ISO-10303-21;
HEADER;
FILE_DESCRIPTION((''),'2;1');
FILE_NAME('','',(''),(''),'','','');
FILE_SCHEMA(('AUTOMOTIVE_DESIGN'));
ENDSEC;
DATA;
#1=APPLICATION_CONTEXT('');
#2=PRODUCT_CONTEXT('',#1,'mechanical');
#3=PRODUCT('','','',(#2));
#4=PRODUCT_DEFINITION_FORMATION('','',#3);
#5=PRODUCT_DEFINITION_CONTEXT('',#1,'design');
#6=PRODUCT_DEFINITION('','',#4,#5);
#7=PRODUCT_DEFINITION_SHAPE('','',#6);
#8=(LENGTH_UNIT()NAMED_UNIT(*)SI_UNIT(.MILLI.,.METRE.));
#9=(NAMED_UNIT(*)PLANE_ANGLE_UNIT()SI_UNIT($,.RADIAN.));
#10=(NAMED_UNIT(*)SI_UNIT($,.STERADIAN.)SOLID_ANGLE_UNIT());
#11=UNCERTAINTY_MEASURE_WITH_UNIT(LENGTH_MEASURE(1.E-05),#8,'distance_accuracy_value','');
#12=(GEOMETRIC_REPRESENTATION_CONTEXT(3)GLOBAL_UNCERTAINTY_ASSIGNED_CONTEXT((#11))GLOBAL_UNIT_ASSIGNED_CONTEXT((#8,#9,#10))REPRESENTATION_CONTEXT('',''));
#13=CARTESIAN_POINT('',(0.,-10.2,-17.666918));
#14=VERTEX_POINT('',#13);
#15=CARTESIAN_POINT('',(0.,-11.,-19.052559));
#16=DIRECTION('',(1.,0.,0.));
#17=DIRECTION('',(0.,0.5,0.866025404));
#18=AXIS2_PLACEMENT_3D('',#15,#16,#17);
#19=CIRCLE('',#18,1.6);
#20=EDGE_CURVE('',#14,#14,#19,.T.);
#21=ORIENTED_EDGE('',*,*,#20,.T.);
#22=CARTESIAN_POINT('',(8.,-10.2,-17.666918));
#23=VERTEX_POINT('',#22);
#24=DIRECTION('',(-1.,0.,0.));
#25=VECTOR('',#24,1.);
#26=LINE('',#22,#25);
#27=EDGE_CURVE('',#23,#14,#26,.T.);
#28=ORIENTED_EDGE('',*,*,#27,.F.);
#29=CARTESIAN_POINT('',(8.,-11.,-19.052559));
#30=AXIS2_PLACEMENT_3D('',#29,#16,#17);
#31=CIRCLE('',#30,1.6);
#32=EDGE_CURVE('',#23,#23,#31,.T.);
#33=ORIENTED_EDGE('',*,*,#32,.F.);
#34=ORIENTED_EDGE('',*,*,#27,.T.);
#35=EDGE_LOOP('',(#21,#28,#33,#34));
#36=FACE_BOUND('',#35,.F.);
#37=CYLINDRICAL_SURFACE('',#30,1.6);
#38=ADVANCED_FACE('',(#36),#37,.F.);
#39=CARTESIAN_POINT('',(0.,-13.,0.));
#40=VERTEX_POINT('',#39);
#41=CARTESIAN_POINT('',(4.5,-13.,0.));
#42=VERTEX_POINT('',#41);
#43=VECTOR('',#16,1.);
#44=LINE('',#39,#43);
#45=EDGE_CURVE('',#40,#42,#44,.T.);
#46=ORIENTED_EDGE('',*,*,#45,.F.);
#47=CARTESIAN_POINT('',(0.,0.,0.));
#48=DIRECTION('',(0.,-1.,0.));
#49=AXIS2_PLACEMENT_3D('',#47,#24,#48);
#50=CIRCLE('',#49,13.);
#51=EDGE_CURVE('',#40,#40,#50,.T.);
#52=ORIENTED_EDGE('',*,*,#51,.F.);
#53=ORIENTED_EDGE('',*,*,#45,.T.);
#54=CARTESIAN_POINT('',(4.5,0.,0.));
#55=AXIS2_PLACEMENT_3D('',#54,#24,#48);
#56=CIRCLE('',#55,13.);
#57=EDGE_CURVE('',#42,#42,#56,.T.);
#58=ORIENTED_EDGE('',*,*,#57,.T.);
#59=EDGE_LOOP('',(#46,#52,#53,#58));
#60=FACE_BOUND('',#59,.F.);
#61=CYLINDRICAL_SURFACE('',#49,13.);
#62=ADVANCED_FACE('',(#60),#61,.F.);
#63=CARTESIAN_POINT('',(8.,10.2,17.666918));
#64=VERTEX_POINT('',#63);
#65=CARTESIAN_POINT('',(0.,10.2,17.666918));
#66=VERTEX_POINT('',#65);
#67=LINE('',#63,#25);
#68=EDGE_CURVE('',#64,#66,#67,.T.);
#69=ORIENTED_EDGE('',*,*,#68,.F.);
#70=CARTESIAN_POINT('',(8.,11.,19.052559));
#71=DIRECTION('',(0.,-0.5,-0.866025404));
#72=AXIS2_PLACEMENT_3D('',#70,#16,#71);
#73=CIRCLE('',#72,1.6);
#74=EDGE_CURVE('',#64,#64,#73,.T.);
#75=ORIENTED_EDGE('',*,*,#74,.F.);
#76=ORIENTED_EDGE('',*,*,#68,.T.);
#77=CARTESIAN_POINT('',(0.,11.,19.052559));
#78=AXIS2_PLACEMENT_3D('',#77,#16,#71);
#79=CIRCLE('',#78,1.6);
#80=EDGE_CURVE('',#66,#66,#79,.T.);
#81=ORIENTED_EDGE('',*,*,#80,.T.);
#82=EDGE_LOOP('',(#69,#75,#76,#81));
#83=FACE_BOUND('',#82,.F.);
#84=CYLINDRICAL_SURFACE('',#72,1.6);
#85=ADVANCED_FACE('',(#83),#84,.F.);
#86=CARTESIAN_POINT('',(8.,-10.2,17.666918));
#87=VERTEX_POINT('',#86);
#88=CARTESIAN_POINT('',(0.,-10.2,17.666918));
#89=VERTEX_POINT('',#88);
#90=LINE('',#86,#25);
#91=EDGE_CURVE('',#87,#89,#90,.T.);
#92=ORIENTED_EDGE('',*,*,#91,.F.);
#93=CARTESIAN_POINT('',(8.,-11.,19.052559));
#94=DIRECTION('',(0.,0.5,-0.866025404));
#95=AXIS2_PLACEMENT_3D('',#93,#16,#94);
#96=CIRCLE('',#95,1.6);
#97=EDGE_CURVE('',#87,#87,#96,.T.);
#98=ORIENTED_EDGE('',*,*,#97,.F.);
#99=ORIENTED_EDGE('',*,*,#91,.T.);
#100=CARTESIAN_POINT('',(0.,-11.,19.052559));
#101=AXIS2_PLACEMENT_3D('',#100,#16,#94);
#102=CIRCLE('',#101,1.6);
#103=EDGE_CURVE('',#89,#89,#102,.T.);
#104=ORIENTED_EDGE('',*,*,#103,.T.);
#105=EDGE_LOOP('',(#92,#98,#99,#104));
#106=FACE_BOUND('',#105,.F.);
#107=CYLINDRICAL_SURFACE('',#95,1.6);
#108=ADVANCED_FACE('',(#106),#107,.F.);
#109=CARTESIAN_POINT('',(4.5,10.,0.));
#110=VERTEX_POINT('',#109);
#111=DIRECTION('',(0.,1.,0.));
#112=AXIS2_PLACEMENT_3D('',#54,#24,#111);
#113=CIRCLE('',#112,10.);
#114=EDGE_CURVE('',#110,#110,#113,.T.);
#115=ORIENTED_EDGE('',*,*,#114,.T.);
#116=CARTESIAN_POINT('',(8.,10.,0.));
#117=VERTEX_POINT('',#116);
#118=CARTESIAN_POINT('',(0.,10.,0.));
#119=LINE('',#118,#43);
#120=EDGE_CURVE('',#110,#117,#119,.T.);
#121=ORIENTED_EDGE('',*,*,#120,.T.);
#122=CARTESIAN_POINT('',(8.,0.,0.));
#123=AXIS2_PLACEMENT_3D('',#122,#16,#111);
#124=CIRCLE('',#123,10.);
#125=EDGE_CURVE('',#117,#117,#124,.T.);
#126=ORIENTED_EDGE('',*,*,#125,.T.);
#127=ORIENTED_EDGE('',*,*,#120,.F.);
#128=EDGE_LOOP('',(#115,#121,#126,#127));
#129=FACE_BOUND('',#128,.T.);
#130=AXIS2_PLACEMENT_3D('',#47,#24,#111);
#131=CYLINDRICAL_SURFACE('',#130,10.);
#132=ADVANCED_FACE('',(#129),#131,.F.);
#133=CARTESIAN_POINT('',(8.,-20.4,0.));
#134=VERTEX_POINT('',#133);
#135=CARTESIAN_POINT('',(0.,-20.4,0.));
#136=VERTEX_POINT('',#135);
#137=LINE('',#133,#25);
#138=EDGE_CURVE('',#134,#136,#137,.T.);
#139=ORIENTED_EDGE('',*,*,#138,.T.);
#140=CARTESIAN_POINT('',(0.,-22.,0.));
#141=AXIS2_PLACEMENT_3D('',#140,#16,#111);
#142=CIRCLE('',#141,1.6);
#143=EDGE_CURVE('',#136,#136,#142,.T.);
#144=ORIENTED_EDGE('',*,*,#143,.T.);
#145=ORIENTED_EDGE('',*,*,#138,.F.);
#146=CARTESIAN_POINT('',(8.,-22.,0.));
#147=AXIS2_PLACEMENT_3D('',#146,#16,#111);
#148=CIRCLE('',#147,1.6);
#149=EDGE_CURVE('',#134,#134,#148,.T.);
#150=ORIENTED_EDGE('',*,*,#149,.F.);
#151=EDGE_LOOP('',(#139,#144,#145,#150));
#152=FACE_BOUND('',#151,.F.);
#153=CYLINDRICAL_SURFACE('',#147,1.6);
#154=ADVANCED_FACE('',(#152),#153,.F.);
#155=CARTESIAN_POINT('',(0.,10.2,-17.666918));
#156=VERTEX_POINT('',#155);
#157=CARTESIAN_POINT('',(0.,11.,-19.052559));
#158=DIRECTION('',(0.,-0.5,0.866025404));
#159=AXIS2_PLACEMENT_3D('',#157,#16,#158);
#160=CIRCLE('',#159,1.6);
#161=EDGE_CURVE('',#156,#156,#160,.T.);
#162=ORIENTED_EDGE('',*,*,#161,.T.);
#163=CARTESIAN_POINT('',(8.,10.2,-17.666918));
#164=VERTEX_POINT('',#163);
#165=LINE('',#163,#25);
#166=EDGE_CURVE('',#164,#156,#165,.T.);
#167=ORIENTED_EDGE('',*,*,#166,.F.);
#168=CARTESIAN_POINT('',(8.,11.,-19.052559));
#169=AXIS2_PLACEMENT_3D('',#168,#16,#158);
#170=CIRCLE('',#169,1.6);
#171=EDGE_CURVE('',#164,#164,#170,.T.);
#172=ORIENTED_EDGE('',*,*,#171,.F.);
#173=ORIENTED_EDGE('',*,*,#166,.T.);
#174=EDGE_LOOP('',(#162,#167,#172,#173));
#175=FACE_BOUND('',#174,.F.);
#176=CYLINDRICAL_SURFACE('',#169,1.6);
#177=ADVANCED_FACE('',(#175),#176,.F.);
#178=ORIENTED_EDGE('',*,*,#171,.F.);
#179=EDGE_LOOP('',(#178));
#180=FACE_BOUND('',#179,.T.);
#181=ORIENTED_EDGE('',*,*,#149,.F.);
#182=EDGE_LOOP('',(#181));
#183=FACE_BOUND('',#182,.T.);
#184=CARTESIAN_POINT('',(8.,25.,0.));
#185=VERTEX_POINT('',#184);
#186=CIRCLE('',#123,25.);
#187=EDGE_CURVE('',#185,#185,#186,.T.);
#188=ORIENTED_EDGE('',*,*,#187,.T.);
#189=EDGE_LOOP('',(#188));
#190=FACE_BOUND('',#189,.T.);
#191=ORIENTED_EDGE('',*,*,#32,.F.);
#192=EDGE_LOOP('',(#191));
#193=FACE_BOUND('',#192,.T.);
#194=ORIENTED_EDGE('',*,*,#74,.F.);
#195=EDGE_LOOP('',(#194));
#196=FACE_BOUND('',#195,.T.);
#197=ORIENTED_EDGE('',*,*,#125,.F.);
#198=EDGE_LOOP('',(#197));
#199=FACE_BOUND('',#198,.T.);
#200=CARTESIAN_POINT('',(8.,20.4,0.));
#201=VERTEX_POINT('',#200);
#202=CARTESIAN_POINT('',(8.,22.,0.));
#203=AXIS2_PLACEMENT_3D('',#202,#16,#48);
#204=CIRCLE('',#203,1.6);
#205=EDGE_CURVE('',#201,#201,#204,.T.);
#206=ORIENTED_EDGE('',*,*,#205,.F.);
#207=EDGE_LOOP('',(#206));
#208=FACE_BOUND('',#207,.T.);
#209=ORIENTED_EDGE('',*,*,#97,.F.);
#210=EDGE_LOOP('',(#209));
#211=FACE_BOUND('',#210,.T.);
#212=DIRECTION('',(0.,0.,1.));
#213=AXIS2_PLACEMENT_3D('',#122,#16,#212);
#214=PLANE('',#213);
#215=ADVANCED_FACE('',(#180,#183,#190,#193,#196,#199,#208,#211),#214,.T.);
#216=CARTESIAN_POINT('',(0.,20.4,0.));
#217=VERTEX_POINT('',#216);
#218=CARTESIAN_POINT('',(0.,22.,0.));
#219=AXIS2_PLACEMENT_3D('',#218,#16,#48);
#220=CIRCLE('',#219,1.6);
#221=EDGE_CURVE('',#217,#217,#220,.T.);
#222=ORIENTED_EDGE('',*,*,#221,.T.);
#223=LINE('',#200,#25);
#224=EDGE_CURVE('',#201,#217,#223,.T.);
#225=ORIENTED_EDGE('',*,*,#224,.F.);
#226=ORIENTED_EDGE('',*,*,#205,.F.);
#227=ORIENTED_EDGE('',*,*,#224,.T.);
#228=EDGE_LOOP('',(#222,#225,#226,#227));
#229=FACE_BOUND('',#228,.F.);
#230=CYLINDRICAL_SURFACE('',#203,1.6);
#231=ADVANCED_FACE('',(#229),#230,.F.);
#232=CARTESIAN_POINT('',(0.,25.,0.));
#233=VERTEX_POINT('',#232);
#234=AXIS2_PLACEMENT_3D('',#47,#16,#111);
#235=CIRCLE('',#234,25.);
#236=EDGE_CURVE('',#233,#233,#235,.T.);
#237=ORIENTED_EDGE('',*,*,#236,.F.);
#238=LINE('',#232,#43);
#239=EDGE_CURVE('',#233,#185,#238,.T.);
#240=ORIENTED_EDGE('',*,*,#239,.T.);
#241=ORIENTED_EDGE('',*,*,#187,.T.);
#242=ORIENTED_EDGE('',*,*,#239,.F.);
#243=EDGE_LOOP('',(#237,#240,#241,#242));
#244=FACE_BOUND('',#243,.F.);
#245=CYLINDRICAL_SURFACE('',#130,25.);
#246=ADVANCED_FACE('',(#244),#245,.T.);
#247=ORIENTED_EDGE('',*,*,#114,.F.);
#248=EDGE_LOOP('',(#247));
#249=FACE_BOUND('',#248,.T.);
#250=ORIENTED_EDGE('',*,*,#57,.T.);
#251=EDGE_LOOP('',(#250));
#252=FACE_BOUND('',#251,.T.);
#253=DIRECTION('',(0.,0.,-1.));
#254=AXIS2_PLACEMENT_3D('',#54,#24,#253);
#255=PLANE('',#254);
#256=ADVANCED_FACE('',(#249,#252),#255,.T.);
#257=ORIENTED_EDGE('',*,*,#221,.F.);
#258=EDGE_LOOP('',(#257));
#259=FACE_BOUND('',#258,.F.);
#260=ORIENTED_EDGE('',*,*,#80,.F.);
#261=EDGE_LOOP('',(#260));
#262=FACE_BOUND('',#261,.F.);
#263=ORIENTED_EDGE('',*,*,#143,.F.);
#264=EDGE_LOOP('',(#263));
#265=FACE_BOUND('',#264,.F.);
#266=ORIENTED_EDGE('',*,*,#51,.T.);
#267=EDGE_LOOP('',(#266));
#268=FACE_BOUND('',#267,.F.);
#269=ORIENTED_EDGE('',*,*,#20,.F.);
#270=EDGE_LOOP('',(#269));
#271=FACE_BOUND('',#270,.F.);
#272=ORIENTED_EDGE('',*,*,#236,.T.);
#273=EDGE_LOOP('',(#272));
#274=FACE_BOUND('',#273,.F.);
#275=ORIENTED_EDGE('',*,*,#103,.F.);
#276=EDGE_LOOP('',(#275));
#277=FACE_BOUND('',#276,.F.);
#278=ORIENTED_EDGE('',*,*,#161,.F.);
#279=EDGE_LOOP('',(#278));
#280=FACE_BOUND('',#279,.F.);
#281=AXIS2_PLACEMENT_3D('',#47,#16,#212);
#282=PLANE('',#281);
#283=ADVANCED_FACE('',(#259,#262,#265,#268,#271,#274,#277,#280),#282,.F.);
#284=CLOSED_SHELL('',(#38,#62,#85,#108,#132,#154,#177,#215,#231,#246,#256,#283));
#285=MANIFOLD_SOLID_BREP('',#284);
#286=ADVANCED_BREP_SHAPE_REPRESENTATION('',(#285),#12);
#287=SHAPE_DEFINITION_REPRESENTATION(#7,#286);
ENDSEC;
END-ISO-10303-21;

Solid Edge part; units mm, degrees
sketch "Sketch1" plane through (0, 0, 0) normal (1, 0, 0) x (0, 1, 0)
  circle A0 centre (0, 0) radius 10
  circle A1 centre (0, 0) radius 25
extrude "Protrusion1" add sketch "Sketch1" along normal blind 8
sketch "Sketch2" plane through (0, 0, 0) normal (-1, 0, 0) x (0, -1, 0)
  circle A0 centre (0, 0) radius 13
extrude "ExtrudedCutout_1" cut sketch "Sketch2" against normal blind 4.5
sketch "Sketch3" plane through (8, 0, 0) normal (1, 0, 0) x (0, 1, 0)
  circle A0 centre (-22, 0) radius 1.6
  dimension "D1" = 22
extrude "Cutout1" cut sketch "Sketch3" against normal up to next
pattern_circular "Pattern1" count 6 over 360 about axis through (8, 0, 0) along (-1, 0, 0) of "Cutout1"
